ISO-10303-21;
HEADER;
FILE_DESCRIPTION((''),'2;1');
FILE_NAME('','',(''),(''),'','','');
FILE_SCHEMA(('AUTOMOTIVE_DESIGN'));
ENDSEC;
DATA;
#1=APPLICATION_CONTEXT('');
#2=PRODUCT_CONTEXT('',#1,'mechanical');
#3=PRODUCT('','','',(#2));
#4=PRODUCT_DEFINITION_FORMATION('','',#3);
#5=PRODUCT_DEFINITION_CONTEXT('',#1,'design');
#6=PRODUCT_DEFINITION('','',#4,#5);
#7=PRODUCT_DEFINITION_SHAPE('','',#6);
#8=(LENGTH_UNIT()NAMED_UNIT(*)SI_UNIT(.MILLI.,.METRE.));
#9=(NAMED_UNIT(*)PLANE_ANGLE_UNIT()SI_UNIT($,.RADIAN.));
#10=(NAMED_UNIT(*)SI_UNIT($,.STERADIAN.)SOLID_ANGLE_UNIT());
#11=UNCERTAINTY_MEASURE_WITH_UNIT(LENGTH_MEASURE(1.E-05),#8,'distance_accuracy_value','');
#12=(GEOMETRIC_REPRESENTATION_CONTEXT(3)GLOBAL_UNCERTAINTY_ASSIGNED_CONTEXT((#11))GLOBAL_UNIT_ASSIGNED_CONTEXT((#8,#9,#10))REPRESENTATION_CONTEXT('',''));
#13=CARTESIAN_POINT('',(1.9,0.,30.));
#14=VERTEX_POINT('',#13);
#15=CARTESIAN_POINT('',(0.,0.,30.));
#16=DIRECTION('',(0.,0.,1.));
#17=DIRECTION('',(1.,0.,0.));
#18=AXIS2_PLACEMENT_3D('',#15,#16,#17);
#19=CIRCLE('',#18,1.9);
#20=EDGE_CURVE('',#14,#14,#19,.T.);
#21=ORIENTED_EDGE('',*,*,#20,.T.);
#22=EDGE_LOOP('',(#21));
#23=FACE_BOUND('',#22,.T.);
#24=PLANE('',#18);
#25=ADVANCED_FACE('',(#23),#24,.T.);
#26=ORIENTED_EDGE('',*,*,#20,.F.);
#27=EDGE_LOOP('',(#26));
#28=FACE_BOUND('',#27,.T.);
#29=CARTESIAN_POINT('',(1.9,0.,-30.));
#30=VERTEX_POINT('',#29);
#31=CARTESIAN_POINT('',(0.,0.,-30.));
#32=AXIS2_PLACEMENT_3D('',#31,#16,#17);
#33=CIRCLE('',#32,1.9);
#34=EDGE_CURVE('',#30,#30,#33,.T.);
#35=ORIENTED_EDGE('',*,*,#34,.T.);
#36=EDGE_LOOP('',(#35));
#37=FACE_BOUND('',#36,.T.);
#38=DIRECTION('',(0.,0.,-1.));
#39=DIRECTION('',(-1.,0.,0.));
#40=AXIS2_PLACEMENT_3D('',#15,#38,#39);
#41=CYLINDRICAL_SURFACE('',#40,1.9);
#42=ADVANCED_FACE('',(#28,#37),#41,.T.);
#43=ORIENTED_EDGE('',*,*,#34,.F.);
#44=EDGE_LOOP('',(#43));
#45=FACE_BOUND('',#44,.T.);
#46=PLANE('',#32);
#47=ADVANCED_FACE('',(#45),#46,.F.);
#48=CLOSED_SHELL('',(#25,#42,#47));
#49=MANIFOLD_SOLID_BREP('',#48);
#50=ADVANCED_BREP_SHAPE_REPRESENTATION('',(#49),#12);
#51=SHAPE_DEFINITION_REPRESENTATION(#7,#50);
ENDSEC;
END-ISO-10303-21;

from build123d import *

# Parameters (mm, degrees)
SKETCH_1_R      = 1.9
EXTRUDE_1_DEPTH = 30


with BuildPart() as part:
    # 草图1 → 凸台-拉伸1 (new, symmetric)
    with BuildSketch(Plane.XY):
        Circle(SKETCH_1_R)
    extrude(amount=EXTRUDE_1_DEPTH, both=True)


solid = part.part
